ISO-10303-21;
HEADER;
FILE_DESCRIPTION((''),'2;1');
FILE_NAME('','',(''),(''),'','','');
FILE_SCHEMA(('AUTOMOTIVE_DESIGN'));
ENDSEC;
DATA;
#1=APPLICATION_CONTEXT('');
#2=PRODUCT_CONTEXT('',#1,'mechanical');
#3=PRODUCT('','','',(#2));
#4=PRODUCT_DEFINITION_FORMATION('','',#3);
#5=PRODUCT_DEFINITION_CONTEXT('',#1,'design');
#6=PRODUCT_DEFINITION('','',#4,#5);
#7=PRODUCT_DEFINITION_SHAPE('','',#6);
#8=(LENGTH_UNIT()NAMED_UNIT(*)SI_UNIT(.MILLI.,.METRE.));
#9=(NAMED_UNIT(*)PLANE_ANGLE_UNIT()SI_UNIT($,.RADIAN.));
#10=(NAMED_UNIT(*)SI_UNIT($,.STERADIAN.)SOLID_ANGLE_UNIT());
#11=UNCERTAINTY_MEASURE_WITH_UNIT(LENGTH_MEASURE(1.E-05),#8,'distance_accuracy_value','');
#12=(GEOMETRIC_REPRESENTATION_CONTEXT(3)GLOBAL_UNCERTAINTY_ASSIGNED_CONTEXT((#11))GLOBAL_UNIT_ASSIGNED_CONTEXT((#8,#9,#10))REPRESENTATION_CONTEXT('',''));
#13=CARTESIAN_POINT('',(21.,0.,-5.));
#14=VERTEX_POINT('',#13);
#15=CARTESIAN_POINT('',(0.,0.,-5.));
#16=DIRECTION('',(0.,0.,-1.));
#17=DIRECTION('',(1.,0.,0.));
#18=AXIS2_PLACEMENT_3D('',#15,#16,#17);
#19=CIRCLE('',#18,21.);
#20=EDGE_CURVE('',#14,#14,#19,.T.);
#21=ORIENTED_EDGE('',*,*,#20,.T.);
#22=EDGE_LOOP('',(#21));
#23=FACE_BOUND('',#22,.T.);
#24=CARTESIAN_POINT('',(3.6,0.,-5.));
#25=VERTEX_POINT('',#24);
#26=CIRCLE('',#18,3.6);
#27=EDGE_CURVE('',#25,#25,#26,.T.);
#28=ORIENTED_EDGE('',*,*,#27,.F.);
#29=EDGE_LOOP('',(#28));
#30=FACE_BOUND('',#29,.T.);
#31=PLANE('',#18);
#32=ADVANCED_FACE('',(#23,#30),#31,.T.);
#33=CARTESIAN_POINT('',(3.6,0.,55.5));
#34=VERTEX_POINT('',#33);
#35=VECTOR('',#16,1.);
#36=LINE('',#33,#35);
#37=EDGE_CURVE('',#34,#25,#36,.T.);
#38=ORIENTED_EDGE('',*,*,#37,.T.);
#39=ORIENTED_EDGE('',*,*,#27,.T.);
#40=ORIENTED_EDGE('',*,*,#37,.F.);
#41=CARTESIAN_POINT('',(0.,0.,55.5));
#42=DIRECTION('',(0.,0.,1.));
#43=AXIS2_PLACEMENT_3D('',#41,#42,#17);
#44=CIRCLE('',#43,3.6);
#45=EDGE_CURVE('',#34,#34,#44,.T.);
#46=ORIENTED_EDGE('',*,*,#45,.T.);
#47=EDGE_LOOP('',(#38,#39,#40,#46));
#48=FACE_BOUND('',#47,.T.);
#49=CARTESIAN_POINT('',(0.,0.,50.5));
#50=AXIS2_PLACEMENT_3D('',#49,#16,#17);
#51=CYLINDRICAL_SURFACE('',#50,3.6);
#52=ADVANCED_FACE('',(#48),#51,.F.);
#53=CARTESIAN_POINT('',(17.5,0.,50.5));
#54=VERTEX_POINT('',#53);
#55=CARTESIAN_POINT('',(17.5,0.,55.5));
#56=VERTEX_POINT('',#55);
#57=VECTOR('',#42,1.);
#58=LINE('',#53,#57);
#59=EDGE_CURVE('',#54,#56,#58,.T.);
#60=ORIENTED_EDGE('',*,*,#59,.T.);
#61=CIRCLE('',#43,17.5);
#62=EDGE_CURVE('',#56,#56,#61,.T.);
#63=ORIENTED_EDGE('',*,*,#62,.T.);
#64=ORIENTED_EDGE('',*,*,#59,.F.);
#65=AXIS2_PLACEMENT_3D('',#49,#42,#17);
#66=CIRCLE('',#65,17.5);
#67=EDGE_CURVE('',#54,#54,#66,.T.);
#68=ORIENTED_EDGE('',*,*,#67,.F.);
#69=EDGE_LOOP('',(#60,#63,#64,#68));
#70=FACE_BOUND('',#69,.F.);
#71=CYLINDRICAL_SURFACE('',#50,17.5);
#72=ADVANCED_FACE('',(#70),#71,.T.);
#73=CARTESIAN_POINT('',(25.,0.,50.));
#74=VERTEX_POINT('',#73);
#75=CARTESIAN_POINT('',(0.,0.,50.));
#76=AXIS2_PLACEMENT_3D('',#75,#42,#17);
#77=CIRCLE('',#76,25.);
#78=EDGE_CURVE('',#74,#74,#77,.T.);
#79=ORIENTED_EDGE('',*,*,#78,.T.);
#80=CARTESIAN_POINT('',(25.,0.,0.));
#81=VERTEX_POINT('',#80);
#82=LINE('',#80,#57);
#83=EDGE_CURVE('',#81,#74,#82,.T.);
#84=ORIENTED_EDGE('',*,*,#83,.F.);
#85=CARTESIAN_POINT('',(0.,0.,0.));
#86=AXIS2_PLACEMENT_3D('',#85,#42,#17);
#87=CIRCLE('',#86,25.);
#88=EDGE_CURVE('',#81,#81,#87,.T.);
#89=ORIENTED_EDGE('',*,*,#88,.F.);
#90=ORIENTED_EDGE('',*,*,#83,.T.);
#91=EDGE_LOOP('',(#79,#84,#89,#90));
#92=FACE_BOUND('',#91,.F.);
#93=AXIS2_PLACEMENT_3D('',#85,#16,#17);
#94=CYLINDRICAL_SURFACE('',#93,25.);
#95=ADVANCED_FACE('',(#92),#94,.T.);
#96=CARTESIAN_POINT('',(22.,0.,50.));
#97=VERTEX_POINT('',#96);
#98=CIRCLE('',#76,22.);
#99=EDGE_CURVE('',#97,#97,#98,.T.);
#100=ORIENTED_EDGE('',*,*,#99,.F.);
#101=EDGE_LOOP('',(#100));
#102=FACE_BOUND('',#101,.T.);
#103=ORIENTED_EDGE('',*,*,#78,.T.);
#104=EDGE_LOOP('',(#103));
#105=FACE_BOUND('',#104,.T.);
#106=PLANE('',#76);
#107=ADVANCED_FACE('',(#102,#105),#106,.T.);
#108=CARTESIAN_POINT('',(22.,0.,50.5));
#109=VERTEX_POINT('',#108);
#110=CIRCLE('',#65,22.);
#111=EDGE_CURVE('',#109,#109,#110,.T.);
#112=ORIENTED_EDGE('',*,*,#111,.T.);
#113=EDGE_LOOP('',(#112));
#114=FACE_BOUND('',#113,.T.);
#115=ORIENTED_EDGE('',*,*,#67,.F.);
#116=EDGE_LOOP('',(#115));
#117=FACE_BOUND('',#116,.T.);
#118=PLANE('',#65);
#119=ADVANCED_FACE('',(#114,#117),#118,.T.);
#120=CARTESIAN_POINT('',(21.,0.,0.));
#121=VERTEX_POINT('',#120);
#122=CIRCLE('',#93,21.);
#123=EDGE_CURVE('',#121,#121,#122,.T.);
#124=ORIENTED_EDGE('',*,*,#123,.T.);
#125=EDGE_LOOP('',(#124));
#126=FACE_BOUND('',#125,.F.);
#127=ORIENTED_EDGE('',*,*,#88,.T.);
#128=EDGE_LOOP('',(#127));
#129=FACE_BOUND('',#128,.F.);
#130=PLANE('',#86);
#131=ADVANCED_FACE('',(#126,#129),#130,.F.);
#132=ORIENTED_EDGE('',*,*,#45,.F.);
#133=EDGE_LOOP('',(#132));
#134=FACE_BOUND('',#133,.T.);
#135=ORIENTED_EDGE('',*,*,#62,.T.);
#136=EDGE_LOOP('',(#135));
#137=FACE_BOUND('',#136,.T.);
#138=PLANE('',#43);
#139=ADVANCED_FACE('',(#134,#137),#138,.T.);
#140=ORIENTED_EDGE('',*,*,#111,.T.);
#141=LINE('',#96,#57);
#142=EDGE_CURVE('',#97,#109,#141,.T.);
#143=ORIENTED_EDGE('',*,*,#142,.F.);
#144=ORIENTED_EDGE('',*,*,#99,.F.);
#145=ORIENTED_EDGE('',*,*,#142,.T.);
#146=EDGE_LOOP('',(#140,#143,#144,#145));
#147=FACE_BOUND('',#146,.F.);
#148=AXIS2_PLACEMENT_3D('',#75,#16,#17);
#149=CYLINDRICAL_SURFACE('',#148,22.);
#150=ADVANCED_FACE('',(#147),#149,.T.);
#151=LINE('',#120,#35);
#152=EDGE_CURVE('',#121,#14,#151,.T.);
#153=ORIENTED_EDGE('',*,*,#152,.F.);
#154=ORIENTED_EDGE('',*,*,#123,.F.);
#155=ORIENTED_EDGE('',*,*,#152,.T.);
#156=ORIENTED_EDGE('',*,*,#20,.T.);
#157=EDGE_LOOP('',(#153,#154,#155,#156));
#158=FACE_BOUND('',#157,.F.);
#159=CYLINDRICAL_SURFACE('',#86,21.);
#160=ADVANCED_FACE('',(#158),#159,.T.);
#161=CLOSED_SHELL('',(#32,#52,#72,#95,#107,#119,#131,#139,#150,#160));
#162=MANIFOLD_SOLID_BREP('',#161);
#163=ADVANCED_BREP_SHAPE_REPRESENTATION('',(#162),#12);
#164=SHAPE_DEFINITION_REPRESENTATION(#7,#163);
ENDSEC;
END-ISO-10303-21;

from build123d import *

# Parameters (mm, degrees)
F0_R     = 25
F0_R_2   = 3.6
F1_DEPTH = 50
F2_R     = 21
F2_R_2   = 3.6
F3_DEPTH = 5
F4_R     = 22
F4_R_2   = 3.6
F5_DEPTH = 0.5
F6_R     = 17.5
F6_R_2   = 3.6
F7_DEPTH = 5


with BuildPart() as f1:
    # F0 (on Top) → F1 (new body)
    with BuildSketch(Plane.XY):
        Circle(F0_R)
        Circle(F0_R_2, mode=Mode.SUBTRACT)
    extrude(amount=F1_DEPTH)

    # F2 (on face) → F3 (join)
    with BuildSketch(Plane(origin=(0, 0, 0), x_dir=(1, 0, 0), z_dir=(0, 0, -1))):
        Circle(F2_R)
        Circle(F2_R_2, mode=Mode.SUBTRACT)
    extrude(amount=F3_DEPTH)

    # F4 (on face) → F5 (join)
    with BuildSketch(Plane.XY.offset(50)):
        Circle(F4_R)
        Circle(F4_R_2, mode=Mode.SUBTRACT)
    extrude(amount=F5_DEPTH)

    # F6 (on face) → F7 (join)
    with BuildSketch(Plane.XY.offset(50.5)):
        Circle(F6_R)
        Circle(F6_R_2, mode=Mode.SUBTRACT)
    extrude(amount=F7_DEPTH)


solid = f1.part
